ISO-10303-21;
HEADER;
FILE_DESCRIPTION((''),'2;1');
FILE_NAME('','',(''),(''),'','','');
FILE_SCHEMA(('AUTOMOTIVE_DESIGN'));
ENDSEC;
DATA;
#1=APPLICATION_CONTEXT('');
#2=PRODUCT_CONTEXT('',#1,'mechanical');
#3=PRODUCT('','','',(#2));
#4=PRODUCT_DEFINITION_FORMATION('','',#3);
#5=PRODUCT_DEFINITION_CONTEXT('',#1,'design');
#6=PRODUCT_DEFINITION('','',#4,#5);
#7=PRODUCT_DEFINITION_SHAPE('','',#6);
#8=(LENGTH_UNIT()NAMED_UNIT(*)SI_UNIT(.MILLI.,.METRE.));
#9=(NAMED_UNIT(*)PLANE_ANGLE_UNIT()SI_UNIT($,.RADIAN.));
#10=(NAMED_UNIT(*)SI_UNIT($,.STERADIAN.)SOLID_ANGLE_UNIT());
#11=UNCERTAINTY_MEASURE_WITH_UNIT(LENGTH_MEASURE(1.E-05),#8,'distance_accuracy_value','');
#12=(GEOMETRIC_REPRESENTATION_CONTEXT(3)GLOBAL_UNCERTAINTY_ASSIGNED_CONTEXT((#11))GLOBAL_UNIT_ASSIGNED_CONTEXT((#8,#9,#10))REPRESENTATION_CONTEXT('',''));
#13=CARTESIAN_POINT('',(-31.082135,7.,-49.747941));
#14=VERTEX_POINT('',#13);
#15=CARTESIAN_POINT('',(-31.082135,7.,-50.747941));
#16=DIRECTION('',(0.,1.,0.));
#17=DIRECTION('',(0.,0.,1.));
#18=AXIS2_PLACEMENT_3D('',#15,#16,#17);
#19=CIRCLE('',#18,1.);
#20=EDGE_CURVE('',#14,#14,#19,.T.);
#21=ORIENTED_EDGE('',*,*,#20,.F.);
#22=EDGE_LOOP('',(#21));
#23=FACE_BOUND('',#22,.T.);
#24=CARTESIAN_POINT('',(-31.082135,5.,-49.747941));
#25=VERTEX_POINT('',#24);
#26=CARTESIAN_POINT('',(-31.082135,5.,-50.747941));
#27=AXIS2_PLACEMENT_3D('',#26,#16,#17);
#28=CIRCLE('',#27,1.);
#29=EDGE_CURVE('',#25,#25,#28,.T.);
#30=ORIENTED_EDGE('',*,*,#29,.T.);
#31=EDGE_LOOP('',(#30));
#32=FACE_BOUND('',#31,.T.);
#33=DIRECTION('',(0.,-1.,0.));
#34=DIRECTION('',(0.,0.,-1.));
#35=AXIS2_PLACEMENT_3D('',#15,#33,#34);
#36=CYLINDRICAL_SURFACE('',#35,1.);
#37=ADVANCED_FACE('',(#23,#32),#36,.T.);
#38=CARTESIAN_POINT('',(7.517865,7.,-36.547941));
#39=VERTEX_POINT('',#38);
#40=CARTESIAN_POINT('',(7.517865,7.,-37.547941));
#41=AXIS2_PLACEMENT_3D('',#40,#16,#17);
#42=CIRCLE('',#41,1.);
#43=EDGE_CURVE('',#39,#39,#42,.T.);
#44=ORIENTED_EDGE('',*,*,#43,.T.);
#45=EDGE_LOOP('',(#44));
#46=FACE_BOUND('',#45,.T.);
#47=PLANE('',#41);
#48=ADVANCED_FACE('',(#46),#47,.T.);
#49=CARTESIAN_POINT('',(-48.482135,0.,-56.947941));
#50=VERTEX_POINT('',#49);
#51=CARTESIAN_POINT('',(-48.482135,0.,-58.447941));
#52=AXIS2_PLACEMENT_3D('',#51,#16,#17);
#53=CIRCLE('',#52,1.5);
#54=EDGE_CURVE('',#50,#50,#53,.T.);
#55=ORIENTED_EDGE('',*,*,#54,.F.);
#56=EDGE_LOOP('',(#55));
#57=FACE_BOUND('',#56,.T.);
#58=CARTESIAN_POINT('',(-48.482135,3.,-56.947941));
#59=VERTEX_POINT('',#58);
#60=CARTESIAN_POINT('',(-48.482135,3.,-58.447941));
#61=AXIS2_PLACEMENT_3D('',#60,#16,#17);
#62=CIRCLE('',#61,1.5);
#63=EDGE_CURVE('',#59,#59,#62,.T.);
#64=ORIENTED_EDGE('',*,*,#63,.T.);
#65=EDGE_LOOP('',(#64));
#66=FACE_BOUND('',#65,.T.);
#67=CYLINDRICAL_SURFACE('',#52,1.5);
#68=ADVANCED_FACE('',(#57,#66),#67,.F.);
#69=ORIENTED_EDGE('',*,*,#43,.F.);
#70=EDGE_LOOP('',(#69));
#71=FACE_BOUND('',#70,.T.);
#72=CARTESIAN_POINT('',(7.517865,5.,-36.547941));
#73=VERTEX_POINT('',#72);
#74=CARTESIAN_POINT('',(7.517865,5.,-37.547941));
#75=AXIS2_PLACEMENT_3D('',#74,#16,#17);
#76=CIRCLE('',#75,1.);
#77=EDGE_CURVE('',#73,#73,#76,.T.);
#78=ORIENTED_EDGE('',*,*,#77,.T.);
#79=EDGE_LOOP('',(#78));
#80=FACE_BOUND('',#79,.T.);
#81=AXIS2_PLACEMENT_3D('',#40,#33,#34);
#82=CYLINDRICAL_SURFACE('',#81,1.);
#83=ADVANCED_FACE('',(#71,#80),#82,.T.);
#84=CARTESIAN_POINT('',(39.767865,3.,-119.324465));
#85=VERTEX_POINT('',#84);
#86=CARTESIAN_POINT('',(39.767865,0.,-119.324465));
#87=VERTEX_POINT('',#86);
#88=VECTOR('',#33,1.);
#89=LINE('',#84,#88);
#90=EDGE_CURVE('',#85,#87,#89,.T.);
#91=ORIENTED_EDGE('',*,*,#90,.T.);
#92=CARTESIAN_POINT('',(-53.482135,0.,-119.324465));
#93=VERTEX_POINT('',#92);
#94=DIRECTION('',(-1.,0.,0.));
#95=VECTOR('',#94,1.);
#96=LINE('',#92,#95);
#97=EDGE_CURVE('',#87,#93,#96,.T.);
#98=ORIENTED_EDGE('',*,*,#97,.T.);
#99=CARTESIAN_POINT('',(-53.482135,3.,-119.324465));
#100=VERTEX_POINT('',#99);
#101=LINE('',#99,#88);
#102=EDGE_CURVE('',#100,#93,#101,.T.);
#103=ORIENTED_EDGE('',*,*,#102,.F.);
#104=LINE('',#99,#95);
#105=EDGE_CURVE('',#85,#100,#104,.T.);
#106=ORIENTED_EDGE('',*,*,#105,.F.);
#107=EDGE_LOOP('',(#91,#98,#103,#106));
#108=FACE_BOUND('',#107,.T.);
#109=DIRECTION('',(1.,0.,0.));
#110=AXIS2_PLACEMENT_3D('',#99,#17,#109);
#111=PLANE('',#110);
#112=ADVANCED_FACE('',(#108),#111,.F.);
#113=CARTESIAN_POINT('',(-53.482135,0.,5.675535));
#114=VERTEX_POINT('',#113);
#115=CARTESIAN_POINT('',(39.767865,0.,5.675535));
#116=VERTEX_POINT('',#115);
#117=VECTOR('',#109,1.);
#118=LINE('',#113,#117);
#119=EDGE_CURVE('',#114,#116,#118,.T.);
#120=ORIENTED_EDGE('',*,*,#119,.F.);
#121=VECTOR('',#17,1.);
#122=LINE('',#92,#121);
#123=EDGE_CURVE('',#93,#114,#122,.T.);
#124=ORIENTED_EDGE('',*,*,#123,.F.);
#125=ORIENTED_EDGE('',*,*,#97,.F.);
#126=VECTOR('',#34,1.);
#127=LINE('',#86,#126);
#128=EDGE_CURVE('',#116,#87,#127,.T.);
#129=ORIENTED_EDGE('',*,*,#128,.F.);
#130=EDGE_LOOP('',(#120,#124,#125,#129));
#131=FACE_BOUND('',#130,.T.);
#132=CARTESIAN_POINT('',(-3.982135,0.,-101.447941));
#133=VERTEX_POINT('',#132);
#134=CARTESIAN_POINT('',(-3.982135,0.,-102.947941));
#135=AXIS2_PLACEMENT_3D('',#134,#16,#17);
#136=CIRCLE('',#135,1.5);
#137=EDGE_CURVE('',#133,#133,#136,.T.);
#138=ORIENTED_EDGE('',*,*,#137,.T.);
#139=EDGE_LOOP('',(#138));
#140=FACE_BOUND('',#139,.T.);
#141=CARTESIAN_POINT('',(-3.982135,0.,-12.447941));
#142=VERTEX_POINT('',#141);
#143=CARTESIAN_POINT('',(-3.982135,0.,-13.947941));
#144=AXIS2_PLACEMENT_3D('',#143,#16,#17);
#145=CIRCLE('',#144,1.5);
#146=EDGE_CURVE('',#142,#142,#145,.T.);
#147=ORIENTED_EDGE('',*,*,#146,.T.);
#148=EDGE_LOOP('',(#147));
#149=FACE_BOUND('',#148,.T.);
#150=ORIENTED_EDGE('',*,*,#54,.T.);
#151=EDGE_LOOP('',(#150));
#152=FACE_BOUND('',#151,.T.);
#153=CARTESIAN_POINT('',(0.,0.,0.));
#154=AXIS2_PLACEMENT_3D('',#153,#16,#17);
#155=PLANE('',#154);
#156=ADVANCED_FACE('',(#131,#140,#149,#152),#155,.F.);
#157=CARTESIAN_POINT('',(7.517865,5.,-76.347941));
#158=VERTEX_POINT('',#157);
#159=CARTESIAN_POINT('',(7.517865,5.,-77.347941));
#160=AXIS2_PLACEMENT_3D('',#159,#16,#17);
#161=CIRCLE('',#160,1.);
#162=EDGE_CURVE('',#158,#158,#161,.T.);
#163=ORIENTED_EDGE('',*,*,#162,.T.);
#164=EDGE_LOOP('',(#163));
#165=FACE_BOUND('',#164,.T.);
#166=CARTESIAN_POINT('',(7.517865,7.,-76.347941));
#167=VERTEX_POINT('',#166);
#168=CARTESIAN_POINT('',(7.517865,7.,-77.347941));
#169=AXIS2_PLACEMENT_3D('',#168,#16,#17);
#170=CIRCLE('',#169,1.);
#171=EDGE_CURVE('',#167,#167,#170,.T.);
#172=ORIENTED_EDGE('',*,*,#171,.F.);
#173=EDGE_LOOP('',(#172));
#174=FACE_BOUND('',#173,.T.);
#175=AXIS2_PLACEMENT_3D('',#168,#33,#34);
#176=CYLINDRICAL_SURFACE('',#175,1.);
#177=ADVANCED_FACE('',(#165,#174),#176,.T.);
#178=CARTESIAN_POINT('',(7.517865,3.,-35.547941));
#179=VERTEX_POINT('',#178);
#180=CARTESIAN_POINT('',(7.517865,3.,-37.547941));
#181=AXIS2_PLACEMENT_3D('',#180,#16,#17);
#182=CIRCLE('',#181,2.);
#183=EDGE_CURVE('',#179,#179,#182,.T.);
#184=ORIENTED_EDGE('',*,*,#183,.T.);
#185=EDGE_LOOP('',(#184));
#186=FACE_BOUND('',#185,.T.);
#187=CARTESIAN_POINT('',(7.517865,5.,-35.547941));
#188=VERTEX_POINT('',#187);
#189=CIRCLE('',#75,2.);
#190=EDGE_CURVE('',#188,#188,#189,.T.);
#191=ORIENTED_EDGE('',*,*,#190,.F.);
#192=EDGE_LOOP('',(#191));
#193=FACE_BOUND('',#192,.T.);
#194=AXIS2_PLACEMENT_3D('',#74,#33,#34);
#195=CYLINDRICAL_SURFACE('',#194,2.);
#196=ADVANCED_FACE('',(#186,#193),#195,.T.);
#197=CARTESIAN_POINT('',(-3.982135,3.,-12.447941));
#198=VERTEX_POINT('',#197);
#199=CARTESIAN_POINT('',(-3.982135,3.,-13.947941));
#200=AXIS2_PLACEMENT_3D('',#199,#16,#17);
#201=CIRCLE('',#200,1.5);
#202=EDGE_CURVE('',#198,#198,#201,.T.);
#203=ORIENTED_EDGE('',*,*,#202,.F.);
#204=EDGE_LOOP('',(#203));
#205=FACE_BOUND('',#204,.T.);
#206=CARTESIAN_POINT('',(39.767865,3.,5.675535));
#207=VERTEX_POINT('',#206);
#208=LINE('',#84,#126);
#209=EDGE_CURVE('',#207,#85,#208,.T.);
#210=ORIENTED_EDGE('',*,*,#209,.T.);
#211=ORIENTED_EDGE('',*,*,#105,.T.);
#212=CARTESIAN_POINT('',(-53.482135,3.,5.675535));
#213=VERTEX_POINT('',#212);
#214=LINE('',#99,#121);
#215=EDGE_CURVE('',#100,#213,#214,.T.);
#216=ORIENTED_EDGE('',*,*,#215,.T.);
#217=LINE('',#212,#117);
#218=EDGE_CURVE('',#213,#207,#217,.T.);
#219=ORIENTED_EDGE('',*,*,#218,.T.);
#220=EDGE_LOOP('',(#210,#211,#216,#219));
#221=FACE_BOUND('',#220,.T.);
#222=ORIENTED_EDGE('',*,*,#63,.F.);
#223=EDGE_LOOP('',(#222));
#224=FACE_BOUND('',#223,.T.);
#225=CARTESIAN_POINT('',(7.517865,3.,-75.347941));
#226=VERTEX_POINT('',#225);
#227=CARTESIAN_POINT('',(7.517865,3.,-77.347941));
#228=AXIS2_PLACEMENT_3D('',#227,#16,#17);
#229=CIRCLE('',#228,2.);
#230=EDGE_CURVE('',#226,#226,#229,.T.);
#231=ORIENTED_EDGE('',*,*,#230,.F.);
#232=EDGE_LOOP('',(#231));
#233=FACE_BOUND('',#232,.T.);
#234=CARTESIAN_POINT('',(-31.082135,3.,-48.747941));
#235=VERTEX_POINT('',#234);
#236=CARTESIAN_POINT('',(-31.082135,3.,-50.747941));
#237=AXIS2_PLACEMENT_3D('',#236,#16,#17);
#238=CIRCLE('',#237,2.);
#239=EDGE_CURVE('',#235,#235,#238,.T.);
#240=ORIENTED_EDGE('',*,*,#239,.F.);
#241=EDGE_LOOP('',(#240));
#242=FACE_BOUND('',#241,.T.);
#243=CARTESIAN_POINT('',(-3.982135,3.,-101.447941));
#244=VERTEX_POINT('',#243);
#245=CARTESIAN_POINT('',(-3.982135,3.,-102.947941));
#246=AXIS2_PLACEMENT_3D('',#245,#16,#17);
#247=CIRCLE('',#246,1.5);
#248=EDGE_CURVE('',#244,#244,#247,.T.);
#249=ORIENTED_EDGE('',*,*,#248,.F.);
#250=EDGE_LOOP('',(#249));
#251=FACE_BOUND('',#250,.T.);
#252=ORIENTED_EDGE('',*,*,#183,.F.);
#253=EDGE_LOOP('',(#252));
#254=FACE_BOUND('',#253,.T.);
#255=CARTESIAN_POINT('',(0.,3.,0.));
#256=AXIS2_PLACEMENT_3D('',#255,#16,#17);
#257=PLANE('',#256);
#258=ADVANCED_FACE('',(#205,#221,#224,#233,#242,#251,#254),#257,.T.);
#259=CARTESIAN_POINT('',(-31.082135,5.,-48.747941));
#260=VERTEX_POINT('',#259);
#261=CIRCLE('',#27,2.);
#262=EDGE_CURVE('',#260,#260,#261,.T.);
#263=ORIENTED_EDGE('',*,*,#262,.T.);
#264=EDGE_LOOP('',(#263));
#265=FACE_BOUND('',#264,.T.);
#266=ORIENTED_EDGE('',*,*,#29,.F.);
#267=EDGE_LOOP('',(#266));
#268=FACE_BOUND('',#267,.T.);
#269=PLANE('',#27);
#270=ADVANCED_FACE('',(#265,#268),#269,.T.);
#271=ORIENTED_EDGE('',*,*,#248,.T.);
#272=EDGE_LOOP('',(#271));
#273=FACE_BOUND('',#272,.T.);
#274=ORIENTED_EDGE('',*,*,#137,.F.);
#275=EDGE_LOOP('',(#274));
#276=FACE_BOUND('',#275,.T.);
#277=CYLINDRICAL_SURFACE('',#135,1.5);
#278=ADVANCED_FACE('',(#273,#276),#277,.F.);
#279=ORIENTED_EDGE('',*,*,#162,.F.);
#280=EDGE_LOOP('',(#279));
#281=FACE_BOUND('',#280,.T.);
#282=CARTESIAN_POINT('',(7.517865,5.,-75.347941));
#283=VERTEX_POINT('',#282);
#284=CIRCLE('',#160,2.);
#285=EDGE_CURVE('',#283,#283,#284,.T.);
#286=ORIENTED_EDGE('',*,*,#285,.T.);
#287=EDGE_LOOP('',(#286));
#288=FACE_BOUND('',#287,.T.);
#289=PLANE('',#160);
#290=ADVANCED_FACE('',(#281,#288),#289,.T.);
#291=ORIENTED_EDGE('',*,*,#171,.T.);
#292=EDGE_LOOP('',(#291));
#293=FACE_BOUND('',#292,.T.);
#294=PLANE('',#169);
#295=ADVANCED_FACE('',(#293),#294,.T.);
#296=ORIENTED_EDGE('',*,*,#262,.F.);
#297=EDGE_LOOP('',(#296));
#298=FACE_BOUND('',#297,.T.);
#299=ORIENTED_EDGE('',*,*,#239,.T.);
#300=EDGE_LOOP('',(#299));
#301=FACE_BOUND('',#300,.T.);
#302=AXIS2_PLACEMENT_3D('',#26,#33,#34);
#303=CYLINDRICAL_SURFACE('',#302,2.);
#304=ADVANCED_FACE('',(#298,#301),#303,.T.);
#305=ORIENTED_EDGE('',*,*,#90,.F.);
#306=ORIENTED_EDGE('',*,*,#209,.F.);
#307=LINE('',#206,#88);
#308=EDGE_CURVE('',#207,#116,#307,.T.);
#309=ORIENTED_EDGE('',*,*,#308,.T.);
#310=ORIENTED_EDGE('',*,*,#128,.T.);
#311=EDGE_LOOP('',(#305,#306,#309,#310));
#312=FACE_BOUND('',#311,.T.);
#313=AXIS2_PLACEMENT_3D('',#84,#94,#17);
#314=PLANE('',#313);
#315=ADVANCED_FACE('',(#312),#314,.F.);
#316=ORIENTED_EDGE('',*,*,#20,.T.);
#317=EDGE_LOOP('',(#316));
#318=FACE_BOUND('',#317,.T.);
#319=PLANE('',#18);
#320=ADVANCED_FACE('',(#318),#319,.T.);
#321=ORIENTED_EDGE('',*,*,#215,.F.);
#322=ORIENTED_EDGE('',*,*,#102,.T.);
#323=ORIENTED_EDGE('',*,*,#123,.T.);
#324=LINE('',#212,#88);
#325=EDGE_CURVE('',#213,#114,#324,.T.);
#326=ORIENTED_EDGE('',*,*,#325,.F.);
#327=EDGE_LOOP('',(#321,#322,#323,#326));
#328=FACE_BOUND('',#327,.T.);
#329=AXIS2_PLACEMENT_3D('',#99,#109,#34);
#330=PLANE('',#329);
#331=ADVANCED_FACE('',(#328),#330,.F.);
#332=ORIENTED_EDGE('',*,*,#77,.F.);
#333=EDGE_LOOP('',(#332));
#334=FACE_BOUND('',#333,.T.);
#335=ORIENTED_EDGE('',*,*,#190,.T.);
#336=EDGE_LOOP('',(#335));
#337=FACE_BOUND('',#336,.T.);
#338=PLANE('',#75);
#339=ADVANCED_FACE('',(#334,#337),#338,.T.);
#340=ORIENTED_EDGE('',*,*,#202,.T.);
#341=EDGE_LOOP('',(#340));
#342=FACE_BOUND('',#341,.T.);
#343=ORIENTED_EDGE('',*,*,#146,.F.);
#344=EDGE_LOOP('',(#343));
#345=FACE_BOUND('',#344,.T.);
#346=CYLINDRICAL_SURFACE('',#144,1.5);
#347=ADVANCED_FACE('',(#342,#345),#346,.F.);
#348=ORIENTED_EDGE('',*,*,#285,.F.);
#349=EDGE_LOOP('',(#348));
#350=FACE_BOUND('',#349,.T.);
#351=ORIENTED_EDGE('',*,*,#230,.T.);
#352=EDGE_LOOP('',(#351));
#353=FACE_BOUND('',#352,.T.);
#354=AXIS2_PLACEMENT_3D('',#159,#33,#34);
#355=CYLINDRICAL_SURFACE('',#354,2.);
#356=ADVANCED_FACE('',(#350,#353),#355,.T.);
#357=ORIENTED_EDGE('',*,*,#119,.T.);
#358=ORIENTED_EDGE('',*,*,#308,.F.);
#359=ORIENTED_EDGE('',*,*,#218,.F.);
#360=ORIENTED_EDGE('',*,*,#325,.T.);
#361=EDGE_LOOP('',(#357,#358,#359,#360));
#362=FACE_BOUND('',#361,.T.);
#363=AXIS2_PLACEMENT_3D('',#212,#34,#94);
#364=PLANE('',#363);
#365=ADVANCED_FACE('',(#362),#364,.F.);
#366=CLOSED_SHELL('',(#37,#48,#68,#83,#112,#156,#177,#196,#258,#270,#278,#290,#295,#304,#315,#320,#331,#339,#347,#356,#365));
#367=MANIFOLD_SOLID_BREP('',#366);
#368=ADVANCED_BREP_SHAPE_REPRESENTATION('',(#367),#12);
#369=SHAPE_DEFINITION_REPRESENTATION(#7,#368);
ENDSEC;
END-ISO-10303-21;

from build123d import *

# Parameters (mm, degrees)
SKETCH1_W           = 93.25
SKETCH1_H           = 125
BOSS_EXTRUDE1_DEPTH = 3
SKETCH3_R           = 1.5
CUT_EXTRUDE1_DEPTH  = 3
SKETCH4_R           = 2
SKETCH4_R_2         = 1
BOSS_EXTRUDE2_DEPTH = 2
SKETCH6_R           = 1
BOSS_EXTRUDE3_DEPTH = 4


with BuildPart() as part:
    # Sketch1 → Boss-Extrude1 (new body)
    with BuildSketch(Plane(origin=(0, 0, 0), x_dir=(1, 0, 0), z_dir=(0, 1, 0))):
        with Locations((-6.857134593, 56.824464746)):
            Rectangle(SKETCH1_W, SKETCH1_H)
    extrude(amount=BOSS_EXTRUDE1_DEPTH)

    # Sketch3 → Cut-Extrude1 (cut)
    with BuildSketch(Plane(origin=(0, 3, 0), x_dir=(1, 0, 0), z_dir=(0, 1, 0))):
        with Locations(Location((-3.982134593, 102.947941071, 0), (0, 0, 270))):
            Circle(SKETCH3_R)
    cut_extrude1 = extrude(amount=-CUT_EXTRUDE1_DEPTH, mode=Mode.SUBTRACT)

    # Sketch-Pattern1: Cut-Extrude1 at 2 more places
    with Locations((0, 0, 89), (-44.5, 0, 44.5)):
        add(cut_extrude1, mode=Mode.SUBTRACT)

    # Sketch4 → Boss-Extrude2 (add)
    with BuildSketch(Plane(origin=(0, 3, 0), x_dir=(1, 0, 0), z_dir=(0, 1, 0))):
        with Locations(Location((-31.082134593, 50.747941071, 0), (0, 0, 270))):
            Circle(SKETCH4_R)
        with Locations(Location((-31.082134593, 50.747941071, 0), (0, 0, 270))):
            Circle(SKETCH4_R_2, mode=Mode.SUBTRACT)
    boss_extrude2 = extrude(amount=BOSS_EXTRUDE2_DEPTH)

    # Sketch6 → Boss-Extrude3 (add)
    with BuildSketch(Plane(origin=(0, 3, 0), x_dir=(1, 0, 0), z_dir=(0, 1, 0))):
        with Locations(Location((-31.082134593, 50.747941071, 0), (0, 0, 270))):
            Circle(SKETCH6_R)
    boss_extrude3 = extrude(amount=BOSS_EXTRUDE3_DEPTH)

    # Sketch-Pattern2: Boss-Extrude2, Boss-Extrude3 at 2 more places
    with Locations((38.6, 0, -26.6), (38.6, 0, 13.2)):
        add(boss_extrude2)
        add(boss_extrude3)


solid = part.part
